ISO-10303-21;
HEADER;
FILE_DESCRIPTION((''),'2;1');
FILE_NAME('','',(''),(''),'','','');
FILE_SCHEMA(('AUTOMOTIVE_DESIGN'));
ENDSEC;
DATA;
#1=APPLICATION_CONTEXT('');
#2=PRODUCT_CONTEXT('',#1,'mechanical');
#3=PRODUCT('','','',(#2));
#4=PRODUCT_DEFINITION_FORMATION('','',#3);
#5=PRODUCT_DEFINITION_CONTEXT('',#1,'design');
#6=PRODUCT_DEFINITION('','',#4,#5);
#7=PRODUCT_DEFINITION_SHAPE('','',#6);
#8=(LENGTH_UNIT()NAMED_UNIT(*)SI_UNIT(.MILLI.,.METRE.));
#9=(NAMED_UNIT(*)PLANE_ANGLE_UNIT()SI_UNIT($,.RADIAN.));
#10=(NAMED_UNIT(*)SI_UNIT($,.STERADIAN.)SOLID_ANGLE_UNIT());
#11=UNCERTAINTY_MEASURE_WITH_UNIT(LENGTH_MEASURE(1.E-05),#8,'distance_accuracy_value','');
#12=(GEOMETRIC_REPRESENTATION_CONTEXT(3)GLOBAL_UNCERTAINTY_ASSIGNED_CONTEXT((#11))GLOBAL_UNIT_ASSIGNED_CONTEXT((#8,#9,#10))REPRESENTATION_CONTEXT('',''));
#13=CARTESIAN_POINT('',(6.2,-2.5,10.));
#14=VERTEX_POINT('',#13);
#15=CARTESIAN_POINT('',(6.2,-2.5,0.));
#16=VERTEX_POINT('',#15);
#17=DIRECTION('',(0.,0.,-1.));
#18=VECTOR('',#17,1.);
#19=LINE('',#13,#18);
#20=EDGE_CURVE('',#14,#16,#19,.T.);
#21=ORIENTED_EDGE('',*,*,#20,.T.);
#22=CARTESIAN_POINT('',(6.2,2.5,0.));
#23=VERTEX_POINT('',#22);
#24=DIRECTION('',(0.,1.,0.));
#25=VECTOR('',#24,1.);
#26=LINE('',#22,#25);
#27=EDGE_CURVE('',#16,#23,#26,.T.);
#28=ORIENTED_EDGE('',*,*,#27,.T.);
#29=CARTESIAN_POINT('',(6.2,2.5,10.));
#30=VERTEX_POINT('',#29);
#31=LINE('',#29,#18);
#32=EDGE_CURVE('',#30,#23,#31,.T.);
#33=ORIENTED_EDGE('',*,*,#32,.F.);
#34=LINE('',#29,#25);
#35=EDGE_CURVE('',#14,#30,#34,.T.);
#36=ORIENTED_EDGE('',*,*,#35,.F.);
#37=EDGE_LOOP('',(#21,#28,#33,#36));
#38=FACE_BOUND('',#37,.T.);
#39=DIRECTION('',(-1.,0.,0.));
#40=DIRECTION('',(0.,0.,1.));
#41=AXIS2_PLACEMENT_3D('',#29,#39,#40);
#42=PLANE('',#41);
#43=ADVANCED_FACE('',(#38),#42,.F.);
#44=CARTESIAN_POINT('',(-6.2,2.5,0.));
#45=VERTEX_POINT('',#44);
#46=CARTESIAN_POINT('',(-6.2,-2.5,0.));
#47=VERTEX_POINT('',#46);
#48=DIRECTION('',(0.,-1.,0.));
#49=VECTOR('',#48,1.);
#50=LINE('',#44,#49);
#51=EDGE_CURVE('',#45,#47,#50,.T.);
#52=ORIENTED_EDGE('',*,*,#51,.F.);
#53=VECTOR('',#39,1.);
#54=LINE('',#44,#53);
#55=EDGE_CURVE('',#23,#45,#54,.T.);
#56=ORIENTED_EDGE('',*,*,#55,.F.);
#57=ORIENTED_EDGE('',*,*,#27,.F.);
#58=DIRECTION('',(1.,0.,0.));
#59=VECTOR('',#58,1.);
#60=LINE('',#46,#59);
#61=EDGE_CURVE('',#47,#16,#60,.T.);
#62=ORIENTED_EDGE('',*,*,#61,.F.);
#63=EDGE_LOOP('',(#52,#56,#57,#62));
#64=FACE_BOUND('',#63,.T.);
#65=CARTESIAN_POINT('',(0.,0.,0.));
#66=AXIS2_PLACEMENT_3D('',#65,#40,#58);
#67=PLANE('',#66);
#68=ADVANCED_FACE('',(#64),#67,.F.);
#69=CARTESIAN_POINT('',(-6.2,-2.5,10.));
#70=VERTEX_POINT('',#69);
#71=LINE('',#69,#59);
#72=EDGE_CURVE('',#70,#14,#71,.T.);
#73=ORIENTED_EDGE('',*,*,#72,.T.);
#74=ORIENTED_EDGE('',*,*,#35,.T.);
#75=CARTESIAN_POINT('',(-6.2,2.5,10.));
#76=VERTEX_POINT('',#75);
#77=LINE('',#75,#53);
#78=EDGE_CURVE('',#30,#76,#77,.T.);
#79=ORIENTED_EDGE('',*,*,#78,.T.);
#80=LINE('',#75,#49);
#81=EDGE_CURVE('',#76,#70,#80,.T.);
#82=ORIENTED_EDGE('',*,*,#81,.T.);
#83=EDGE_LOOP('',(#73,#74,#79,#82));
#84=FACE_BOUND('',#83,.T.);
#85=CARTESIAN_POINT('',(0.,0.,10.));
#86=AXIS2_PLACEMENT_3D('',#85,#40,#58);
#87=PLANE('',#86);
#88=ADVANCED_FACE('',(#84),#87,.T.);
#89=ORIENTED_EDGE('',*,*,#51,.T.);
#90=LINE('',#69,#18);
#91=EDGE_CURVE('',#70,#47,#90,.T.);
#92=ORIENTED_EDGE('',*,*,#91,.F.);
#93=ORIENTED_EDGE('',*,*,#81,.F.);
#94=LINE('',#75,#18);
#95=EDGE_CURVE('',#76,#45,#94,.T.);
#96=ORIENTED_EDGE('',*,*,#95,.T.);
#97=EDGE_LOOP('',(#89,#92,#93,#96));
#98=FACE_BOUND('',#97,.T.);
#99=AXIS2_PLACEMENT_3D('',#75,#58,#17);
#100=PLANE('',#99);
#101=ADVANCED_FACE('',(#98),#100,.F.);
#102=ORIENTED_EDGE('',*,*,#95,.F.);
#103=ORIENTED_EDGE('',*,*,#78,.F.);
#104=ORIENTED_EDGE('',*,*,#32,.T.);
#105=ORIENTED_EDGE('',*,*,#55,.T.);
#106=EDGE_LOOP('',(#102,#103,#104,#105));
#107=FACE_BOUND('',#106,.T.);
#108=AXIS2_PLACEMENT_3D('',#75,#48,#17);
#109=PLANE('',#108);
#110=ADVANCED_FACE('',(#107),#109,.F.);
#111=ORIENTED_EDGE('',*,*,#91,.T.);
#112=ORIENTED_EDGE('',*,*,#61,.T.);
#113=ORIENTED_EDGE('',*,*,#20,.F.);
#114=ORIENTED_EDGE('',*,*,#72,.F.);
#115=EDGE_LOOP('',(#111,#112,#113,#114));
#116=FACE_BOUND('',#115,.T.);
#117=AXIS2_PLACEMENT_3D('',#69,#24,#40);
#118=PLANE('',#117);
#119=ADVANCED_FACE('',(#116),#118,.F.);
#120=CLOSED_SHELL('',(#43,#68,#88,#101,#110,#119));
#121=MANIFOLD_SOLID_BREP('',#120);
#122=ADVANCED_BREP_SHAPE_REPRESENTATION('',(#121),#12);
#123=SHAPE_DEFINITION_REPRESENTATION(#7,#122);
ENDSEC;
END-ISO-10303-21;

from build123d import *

# Parameters (mm, degrees)
SKETCH_1_W      = 12.4
SKETCH_1_H      = 5
EXTRUDE_1_DEPTH = 10


with BuildPart() as part:
    # 草图1 → 凸台-拉伸1 (new body)
    with BuildSketch(Plane.XY):
        Rectangle(SKETCH_1_W, SKETCH_1_H)
    extrude(amount=EXTRUDE_1_DEPTH)


solid = part.part
